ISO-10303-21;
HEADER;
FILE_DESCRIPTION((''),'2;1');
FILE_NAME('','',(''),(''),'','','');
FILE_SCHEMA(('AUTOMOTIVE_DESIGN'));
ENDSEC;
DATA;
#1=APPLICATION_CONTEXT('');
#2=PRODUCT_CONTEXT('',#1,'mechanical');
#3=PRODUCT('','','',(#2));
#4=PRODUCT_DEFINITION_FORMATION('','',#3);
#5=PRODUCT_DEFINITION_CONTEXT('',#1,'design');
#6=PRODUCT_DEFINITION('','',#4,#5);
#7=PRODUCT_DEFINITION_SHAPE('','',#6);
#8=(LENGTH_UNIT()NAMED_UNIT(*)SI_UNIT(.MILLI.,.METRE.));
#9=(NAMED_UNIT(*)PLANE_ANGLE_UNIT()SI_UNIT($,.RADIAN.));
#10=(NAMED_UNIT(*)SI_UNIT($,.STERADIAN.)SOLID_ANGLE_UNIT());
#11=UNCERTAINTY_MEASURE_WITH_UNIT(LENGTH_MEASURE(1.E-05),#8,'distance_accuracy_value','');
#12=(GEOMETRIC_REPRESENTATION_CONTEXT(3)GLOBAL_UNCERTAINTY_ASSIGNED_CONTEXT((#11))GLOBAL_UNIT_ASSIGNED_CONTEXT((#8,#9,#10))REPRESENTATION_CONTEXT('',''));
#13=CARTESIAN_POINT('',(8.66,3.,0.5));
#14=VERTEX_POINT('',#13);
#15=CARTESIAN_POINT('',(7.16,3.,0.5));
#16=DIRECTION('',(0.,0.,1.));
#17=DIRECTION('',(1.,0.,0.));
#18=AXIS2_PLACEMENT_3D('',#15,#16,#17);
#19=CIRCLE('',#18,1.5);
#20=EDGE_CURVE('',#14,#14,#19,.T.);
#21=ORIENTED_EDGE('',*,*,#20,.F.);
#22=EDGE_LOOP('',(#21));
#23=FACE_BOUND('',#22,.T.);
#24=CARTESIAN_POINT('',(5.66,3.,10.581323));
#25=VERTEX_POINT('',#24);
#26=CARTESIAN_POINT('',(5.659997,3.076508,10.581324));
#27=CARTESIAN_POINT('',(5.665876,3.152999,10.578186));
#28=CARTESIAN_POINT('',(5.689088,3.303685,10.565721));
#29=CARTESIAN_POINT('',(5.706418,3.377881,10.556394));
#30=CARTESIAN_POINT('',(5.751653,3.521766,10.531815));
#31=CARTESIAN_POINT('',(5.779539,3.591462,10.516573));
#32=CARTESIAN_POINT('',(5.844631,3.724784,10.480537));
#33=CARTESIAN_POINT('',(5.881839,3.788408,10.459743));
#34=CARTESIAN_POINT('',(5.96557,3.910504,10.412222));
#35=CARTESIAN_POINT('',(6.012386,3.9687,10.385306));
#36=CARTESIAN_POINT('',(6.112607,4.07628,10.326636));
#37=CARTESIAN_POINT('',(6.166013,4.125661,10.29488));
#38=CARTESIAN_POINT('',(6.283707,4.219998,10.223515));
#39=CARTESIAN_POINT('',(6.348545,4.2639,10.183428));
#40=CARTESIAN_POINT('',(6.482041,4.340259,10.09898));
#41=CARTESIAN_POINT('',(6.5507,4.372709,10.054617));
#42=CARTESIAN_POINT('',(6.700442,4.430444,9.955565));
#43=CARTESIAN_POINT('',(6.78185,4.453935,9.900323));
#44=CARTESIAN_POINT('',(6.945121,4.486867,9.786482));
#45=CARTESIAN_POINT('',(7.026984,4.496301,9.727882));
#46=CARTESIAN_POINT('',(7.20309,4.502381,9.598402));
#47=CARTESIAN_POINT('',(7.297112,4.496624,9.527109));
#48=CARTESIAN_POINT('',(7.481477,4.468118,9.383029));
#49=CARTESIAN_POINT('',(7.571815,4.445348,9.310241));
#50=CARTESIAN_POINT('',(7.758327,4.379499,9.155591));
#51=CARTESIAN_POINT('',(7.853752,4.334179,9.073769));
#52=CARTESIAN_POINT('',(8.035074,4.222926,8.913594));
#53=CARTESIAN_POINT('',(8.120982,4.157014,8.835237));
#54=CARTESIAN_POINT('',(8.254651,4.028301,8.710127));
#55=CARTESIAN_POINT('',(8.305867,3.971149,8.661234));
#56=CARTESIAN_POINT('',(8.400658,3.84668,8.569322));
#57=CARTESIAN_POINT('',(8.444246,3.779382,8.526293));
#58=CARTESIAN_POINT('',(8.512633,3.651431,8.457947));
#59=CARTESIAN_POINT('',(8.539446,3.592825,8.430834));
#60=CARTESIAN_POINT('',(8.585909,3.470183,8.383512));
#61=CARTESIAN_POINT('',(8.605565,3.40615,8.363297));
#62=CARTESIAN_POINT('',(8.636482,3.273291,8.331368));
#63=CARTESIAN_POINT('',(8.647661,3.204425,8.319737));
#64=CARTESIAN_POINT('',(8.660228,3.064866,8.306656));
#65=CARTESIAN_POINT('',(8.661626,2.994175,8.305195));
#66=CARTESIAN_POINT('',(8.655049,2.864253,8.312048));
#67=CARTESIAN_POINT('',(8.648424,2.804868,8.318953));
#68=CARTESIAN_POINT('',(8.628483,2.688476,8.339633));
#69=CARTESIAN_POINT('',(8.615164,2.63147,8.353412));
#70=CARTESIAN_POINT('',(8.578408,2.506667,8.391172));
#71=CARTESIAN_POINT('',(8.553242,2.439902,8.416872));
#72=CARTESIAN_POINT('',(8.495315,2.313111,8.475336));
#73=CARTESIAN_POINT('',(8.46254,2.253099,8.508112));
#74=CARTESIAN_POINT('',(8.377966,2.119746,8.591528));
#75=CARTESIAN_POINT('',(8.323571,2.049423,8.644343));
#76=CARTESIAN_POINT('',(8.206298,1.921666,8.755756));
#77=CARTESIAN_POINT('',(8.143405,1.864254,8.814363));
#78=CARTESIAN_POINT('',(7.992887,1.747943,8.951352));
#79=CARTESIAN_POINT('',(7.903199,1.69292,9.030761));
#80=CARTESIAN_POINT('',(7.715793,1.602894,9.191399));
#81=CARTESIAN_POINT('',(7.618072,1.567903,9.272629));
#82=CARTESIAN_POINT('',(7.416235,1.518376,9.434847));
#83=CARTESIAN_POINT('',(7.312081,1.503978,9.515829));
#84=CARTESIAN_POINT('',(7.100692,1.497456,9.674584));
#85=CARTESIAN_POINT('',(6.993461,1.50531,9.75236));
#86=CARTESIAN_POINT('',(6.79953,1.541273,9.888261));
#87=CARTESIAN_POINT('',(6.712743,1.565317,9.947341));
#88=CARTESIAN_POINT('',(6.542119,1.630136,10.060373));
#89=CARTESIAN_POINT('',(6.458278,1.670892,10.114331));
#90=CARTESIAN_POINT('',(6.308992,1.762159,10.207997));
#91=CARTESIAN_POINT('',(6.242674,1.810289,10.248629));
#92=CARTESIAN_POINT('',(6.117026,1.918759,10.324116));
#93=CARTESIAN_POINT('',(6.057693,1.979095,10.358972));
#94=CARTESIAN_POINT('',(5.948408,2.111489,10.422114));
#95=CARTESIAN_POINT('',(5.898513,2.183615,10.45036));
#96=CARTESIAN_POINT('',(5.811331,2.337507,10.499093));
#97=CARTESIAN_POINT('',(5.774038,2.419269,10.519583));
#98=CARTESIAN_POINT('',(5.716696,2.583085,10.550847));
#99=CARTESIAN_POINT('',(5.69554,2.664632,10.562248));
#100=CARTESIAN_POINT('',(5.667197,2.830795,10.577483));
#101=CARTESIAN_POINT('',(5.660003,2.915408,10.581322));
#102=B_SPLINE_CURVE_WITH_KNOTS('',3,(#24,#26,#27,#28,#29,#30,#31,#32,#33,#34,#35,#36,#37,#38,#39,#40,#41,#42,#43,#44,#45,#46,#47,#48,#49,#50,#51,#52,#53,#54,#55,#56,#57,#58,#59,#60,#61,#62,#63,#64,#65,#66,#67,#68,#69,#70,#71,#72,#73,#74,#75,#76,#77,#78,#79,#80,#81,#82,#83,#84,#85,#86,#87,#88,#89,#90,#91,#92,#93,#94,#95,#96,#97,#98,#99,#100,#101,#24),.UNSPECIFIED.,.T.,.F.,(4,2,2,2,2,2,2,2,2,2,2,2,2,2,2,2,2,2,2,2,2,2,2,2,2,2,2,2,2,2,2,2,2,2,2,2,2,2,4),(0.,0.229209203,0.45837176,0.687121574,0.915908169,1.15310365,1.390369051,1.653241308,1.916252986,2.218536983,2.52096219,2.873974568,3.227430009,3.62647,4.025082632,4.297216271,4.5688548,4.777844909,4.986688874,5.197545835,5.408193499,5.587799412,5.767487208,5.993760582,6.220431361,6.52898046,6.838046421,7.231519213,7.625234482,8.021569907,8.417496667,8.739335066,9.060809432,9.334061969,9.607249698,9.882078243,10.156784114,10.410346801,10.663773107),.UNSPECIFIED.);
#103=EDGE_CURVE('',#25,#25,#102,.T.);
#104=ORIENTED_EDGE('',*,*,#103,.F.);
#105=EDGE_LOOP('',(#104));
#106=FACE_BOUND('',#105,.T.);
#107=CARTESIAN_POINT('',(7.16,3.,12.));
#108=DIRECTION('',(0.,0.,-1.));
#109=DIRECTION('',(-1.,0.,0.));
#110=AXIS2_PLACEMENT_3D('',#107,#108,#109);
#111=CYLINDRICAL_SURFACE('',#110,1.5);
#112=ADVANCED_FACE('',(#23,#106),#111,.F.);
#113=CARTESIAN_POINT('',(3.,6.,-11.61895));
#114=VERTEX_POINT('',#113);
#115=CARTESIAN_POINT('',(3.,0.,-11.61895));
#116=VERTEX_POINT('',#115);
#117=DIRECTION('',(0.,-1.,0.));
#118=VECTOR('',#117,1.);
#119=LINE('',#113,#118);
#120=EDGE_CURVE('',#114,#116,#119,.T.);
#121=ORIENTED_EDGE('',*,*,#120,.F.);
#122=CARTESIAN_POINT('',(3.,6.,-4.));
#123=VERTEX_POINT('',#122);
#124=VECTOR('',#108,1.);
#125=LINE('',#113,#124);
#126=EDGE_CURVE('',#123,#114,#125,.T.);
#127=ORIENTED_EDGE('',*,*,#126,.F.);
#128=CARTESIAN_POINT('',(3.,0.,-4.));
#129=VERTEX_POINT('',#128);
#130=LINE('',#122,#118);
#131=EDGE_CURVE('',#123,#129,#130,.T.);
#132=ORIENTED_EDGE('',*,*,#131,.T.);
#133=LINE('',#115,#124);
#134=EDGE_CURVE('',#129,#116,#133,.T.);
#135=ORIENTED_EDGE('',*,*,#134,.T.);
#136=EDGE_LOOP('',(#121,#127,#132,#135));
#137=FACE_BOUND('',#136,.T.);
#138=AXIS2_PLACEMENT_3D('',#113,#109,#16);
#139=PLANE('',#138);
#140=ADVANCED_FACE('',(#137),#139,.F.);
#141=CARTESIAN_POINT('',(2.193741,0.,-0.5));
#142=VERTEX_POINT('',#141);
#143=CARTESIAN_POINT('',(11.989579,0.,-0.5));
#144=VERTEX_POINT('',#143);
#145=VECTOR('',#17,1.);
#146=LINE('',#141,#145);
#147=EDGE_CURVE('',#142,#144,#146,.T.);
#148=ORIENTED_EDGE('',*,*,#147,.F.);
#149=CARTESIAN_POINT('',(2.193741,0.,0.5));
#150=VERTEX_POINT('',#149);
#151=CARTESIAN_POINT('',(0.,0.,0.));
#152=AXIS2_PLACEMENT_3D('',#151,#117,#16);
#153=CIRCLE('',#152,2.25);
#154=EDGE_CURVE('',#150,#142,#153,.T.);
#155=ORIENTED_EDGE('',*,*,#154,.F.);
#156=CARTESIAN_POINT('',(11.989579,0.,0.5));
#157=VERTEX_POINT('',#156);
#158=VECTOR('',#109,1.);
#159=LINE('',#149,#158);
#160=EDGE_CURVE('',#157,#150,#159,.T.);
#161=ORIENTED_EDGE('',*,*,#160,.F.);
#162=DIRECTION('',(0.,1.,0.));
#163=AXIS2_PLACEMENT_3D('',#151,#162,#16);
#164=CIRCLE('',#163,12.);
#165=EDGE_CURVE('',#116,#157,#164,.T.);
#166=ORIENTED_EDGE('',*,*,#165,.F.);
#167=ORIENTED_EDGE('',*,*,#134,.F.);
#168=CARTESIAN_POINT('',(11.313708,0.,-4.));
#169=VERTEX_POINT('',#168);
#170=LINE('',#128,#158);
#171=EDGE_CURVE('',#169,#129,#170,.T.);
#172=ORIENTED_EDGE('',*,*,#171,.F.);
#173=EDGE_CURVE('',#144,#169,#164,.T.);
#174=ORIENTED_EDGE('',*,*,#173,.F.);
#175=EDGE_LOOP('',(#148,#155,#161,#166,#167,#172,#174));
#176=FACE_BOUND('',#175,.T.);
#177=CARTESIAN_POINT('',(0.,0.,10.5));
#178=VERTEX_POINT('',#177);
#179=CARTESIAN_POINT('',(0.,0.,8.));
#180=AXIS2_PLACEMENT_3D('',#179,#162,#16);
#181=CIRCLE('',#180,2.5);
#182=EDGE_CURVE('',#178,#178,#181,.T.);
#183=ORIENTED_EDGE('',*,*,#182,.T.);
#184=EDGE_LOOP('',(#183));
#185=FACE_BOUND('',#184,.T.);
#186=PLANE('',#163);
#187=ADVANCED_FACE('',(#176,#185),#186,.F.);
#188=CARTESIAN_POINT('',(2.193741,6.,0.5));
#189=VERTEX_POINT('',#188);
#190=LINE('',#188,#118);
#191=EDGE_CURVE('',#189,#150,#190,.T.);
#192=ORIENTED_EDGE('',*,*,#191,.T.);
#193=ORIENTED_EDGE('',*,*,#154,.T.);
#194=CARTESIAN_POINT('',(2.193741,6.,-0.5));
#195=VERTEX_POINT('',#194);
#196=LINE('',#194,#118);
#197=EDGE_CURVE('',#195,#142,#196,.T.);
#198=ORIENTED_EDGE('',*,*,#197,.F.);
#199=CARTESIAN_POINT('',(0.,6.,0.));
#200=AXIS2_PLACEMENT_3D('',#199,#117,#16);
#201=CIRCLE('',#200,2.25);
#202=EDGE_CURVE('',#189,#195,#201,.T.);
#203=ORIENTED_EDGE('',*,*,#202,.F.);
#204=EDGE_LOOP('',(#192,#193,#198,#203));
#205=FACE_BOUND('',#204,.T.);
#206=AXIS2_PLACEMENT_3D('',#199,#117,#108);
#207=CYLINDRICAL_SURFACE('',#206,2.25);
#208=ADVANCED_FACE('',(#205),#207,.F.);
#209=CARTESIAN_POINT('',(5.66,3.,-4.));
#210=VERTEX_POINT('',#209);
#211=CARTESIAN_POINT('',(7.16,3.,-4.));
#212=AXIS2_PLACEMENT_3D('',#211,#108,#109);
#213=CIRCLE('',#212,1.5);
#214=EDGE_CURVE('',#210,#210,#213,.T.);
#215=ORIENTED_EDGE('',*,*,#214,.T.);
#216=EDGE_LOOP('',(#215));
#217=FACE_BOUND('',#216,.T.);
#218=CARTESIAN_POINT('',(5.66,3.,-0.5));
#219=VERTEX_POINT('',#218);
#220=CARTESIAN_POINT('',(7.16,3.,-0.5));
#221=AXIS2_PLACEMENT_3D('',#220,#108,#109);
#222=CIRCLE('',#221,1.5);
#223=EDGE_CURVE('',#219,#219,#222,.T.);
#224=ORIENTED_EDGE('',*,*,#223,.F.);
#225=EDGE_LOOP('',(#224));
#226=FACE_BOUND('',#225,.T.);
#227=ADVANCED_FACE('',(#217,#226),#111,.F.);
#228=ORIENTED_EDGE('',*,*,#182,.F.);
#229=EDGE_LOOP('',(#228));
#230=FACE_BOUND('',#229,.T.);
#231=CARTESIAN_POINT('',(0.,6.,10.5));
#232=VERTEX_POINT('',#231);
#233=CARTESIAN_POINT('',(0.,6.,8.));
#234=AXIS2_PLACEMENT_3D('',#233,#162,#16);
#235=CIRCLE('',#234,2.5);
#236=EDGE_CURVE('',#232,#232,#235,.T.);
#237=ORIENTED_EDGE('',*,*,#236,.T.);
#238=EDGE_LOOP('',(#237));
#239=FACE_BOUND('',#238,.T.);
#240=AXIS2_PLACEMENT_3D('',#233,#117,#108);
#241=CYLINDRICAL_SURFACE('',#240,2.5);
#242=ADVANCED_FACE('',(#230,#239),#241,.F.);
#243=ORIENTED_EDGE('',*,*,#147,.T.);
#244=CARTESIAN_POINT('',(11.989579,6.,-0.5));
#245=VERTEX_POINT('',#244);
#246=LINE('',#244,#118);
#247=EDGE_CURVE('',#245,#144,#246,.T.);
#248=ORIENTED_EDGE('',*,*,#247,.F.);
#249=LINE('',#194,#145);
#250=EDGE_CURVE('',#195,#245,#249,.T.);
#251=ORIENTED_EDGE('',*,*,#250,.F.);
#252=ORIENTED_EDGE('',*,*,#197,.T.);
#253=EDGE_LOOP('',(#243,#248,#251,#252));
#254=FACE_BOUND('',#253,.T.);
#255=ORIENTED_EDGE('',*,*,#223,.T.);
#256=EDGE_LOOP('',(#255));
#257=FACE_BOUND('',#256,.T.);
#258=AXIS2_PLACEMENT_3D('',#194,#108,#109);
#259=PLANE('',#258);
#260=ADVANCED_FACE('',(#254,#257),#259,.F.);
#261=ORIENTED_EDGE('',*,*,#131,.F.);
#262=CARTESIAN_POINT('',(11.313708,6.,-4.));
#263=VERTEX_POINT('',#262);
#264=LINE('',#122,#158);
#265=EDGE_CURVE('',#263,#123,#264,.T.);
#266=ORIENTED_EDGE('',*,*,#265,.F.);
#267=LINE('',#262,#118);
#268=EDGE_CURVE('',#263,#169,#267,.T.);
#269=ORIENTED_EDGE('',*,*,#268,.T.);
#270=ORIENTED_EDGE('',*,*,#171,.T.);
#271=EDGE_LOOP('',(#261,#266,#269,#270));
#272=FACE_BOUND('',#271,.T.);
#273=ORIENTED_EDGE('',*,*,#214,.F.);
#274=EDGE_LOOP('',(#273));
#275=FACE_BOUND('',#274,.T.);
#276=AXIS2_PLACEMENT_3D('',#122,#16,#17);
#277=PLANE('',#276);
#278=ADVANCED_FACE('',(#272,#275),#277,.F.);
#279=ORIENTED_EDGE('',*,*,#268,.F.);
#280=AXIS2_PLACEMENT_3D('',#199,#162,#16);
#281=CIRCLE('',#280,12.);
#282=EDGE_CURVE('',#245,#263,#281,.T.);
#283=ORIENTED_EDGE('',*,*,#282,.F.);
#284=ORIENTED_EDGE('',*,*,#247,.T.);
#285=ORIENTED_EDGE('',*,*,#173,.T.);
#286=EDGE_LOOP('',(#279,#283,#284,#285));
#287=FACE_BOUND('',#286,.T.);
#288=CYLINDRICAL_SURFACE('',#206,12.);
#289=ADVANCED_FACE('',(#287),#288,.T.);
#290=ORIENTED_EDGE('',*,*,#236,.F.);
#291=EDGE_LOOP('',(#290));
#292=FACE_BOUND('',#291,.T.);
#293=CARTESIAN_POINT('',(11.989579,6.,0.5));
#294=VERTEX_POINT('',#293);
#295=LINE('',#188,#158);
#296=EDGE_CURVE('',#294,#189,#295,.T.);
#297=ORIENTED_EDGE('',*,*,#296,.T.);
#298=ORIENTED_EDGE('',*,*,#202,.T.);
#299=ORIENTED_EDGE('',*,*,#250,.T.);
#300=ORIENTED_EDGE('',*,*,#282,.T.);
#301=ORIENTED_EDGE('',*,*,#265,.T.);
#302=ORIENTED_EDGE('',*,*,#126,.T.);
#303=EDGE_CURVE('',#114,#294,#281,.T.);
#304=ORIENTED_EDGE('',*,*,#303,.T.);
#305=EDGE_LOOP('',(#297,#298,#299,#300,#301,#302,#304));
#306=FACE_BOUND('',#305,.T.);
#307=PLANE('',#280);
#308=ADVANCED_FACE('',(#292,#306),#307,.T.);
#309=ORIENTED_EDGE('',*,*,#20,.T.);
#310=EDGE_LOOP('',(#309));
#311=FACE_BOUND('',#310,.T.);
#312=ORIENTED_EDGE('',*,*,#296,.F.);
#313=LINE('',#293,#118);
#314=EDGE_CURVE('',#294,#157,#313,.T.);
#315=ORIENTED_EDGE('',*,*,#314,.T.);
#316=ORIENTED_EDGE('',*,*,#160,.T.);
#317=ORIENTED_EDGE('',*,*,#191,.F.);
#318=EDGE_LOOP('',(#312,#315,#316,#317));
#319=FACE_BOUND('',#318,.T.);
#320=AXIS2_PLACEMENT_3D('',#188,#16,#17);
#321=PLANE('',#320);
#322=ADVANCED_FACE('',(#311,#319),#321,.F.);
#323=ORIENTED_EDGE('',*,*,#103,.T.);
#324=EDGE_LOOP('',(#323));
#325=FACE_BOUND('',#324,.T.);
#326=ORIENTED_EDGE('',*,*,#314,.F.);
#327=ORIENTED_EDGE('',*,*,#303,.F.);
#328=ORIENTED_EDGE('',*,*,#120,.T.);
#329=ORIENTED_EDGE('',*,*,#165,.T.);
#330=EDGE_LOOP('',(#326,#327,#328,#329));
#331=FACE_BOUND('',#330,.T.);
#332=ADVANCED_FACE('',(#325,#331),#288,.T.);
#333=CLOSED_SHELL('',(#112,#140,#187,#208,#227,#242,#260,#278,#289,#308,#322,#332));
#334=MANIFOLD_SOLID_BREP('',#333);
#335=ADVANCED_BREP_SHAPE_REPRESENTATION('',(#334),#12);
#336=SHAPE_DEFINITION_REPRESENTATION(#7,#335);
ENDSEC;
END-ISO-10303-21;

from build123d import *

# Parameters (mm, degrees)
SKETCH1_R           = 2.5
BOSS_EXTRUDE1_DEPTH = 6
SKETCH3_R           = 1.5
CUT_EXTRUDE2_DEPTH  = 16


with BuildPart() as part:
    # Sketch1 → Boss-Extrude1 (new body)
    with BuildSketch(Plane(origin=(0, 0, 0), x_dir=(1, 0, 0), z_dir=(0, 1, 0))):
        with BuildLine():
            Line((2.193741097, 0.5), (11.989578808, 0.5))
            ThreePointArc((11.989578808, 0.5), (11.782329983, 2.275236289), (11.313708499, 4))
            Line((11.313708499, 4), (3, 4))
            Line((3, 4), (3, 11.618950039))
            ThreePointArc((3, 11.618950039), (-9.637899446, -7.149188365), (11.989578808, -0.5))
            Line((11.989578808, -0.5), (2.193741097, -0.5))
            ThreePointArc((2.193741097, -0.5), (-2.25, 0), (2.193741097, 0.5))
        make_face()
        with Locations(Location((0, -8, 0), (0, 0, 270))):
            Circle(SKETCH1_R, mode=Mode.SUBTRACT)
    extrude(amount=BOSS_EXTRUDE1_DEPTH)

    # Sketch3 → Cut-Extrude2 (cut)
    with BuildSketch(Plane(origin=(0, 0, -4), x_dir=(-1, 0, 0), z_dir=(0, 0, -1))):
        with Locations((-7.16, 3)):
            Circle(SKETCH3_R)
    extrude(amount=-CUT_EXTRUDE2_DEPTH, mode=Mode.SUBTRACT)


solid = part.part
